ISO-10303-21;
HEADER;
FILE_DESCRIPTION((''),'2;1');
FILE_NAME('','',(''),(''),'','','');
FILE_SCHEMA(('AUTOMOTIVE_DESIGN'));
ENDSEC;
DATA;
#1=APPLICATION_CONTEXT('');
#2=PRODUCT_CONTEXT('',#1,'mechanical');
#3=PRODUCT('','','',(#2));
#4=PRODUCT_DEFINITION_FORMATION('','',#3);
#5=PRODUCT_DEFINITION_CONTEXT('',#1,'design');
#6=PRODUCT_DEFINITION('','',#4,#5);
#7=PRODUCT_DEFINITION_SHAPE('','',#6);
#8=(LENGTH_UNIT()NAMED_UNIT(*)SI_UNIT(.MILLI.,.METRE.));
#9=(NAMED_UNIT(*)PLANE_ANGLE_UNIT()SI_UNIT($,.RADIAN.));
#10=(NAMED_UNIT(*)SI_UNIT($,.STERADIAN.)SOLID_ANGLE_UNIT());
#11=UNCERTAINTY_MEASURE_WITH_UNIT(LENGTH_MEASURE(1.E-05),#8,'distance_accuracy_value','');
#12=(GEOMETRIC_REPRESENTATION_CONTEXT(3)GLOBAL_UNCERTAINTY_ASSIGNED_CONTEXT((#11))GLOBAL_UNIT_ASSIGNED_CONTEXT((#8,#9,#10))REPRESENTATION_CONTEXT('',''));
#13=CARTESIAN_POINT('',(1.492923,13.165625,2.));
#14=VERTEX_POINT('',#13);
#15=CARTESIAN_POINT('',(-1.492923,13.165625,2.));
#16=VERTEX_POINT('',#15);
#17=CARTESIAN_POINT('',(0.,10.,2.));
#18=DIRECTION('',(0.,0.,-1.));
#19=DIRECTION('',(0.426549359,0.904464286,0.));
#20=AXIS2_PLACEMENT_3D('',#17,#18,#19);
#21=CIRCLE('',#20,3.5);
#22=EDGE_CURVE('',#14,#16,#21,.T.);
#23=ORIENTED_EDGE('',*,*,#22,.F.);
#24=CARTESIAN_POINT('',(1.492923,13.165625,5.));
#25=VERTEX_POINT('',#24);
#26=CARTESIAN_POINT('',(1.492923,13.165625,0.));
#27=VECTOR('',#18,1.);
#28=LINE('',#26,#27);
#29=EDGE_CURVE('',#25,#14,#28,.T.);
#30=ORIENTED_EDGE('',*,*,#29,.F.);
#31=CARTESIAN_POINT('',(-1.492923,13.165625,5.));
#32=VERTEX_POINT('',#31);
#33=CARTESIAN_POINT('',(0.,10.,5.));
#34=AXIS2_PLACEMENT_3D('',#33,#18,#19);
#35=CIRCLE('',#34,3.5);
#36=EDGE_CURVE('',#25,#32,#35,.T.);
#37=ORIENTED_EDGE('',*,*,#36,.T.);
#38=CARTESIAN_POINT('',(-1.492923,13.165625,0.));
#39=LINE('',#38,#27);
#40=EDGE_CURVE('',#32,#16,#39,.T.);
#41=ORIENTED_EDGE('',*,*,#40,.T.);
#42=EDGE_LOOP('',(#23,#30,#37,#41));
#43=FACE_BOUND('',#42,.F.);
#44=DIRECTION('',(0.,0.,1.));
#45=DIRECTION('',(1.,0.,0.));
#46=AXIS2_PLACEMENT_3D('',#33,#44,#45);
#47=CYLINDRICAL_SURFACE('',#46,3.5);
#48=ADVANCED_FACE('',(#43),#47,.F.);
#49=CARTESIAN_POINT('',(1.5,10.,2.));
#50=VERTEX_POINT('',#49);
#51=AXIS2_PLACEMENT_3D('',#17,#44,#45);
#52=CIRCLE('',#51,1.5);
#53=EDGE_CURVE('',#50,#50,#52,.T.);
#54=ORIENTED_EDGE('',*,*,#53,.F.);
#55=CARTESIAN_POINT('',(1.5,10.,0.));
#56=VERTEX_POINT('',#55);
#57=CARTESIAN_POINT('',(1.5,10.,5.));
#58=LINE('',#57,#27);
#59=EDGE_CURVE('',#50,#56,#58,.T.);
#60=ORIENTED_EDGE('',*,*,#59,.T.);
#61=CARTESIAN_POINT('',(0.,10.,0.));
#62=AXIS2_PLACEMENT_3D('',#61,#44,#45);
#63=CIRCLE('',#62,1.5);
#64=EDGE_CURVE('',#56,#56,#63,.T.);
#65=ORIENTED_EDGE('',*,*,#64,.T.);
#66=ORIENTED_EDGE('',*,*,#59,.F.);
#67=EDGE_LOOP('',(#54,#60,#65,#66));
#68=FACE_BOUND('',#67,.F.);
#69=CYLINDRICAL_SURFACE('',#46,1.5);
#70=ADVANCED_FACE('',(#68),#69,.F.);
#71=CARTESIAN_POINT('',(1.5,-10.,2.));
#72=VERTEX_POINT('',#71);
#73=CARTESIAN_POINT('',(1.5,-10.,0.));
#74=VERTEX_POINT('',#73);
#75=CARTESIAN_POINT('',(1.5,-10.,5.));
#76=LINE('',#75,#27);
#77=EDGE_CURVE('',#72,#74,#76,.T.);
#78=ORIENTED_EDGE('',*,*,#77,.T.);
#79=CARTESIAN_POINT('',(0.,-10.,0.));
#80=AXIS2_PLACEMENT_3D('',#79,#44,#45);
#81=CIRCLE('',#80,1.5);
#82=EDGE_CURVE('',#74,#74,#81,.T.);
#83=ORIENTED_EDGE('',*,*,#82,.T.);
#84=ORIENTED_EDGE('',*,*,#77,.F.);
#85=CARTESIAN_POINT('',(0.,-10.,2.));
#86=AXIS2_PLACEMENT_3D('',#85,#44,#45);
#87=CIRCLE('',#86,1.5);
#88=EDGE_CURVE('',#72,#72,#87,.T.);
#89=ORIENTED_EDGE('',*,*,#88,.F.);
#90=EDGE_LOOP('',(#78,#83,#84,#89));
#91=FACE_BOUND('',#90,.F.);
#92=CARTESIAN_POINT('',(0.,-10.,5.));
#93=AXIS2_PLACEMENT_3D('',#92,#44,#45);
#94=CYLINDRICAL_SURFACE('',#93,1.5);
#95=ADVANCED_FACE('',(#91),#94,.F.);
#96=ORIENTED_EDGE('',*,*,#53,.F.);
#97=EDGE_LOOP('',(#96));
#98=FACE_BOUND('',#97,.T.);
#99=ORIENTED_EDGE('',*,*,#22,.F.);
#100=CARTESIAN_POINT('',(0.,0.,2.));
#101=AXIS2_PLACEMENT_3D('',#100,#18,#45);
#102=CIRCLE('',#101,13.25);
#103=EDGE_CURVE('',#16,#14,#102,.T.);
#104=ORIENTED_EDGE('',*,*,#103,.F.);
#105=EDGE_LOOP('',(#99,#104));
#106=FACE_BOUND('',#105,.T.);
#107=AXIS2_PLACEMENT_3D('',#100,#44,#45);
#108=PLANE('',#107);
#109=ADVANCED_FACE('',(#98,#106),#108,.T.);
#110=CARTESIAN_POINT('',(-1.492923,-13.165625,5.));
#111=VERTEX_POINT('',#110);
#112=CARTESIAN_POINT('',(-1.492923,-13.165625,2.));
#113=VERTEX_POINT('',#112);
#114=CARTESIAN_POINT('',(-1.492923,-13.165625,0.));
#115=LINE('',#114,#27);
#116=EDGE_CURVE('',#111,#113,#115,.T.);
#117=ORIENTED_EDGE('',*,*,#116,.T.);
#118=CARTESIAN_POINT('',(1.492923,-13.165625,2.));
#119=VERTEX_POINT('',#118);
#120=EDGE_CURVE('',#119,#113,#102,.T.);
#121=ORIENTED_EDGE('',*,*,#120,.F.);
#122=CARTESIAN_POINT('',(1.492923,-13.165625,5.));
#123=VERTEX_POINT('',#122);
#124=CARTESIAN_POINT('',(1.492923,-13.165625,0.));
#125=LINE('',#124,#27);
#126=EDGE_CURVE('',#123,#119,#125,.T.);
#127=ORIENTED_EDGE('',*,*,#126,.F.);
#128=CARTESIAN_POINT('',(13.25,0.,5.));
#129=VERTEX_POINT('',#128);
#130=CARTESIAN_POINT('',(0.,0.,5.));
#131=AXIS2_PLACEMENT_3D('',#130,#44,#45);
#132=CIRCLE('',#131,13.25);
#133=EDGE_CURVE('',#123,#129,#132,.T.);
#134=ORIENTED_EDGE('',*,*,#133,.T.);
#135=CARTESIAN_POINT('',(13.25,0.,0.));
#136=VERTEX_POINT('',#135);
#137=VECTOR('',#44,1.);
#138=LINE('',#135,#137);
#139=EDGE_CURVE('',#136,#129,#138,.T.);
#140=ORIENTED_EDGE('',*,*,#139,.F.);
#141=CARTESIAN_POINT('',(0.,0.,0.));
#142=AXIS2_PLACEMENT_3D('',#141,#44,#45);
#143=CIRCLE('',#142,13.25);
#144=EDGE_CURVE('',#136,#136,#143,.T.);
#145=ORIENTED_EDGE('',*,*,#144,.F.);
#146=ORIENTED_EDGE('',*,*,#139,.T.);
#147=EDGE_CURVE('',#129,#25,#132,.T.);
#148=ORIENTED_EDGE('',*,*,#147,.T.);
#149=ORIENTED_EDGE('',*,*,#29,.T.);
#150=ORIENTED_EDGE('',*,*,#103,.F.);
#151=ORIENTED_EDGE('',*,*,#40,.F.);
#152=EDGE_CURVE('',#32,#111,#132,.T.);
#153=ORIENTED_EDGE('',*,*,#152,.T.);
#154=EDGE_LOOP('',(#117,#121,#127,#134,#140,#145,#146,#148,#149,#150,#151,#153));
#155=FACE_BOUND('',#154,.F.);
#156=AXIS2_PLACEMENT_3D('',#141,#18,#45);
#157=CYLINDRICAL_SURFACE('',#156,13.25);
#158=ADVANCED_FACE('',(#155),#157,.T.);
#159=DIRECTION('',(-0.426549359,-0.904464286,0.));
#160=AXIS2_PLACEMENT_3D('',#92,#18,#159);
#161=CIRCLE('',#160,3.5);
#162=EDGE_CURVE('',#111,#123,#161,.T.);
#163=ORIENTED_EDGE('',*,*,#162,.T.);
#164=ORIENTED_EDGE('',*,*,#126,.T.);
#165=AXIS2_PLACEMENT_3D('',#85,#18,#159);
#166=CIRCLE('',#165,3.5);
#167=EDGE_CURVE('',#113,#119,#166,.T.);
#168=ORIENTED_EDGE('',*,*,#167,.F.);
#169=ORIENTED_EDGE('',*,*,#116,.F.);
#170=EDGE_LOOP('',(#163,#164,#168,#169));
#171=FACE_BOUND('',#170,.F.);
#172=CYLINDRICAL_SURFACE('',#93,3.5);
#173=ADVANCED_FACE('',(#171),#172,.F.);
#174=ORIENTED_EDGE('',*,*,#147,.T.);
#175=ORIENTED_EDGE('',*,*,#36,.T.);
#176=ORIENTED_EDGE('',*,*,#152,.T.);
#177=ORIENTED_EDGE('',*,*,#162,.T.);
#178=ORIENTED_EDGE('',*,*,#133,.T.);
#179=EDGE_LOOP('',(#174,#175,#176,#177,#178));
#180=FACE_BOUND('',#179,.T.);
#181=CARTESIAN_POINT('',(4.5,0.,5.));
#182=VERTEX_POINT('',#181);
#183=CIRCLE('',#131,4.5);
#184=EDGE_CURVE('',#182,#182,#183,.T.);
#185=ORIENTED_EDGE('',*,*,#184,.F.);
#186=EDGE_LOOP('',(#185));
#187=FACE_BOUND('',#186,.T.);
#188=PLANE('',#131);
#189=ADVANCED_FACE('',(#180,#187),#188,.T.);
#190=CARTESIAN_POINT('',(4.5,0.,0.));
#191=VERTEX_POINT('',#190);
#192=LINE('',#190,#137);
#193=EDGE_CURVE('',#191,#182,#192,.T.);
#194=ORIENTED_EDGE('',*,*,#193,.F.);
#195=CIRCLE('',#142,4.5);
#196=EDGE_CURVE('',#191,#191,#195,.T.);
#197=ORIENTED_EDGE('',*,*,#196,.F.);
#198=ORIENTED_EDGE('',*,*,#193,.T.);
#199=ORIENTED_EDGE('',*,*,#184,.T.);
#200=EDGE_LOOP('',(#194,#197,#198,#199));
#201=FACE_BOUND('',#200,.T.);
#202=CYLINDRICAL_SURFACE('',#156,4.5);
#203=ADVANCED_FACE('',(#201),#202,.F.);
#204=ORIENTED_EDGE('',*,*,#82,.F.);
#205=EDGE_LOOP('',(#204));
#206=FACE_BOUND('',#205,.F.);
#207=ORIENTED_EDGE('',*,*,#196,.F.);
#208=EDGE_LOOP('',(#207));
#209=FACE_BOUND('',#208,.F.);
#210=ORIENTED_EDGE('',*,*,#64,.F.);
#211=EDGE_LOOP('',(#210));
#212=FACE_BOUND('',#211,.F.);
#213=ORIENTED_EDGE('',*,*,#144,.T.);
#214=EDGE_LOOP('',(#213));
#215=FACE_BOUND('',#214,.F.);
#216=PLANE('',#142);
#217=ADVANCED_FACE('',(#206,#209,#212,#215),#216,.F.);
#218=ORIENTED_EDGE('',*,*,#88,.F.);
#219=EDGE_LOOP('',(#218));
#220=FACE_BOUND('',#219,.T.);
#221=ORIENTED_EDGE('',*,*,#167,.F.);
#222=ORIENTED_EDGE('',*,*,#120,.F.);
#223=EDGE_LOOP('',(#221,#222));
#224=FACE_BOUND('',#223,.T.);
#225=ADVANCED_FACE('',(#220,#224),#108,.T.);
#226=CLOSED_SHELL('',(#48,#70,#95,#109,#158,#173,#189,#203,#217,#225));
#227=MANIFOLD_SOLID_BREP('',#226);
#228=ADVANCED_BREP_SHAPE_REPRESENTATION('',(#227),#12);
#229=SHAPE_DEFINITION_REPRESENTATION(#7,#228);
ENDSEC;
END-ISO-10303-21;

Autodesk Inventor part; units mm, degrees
ref_plane "YZ Plane" through (0, 0, 0) normal (1, 0, 0) x (0, 1, 0)
ref_plane "XZ Plane" through (0, 0, 0) normal (0, 1, 0) x (-1, 0, 0)
ref_plane "XY Plane" through (0, 0, 0) normal (0, 0, 1) x (1, 0, 0)
sketch "Sketch1" plane through (0, 0, 0) normal (0, 0, 1) x (1, 0, 0)
  circle A0 centre (0, 0) radius 13.25
  circle A1 centre (0, 0) radius 4.5
  dimension "d0" = 26.5
  dimension "d1" = 9
extrude "Extrusion1" add sketch "Sketch1" along normal blind 5
sketch "Sketch2" plane through (0, 0, 5) normal (0, 0, 1) x (1, 0, 0)
  circle A0 centre (0, 10) radius 1.5
  circle A1 centre (0, -10) radius 1.5
  circle A2 centre (0, 0) radius 10 construction
  dimension "d4" = 3
  dimension "d5" = 3
  dimension "d6" = 20
extrude "Extrusion2" cut sketch "Sketch2" against normal through all
sketch "Sketch3" plane through (0, 0, 5) normal (0, 0, 1) x (1, 0, 0)
  circle A0 centre (0, 10) radius 1.5 projected
  circle A1 centre (0, -10) radius 1.5 projected
  circle A2 centre (0, 10) radius 3.5
  circle A3 centre (0, -10) radius 3.5
  point P0 (0, 0)
  dimension "d9" = 7
  dimension "d10" = 7
extrude "Extrusion3" cut sketch "Sketch3" against normal blind 3
properties part number "AA028" material "ABS Plastic"
